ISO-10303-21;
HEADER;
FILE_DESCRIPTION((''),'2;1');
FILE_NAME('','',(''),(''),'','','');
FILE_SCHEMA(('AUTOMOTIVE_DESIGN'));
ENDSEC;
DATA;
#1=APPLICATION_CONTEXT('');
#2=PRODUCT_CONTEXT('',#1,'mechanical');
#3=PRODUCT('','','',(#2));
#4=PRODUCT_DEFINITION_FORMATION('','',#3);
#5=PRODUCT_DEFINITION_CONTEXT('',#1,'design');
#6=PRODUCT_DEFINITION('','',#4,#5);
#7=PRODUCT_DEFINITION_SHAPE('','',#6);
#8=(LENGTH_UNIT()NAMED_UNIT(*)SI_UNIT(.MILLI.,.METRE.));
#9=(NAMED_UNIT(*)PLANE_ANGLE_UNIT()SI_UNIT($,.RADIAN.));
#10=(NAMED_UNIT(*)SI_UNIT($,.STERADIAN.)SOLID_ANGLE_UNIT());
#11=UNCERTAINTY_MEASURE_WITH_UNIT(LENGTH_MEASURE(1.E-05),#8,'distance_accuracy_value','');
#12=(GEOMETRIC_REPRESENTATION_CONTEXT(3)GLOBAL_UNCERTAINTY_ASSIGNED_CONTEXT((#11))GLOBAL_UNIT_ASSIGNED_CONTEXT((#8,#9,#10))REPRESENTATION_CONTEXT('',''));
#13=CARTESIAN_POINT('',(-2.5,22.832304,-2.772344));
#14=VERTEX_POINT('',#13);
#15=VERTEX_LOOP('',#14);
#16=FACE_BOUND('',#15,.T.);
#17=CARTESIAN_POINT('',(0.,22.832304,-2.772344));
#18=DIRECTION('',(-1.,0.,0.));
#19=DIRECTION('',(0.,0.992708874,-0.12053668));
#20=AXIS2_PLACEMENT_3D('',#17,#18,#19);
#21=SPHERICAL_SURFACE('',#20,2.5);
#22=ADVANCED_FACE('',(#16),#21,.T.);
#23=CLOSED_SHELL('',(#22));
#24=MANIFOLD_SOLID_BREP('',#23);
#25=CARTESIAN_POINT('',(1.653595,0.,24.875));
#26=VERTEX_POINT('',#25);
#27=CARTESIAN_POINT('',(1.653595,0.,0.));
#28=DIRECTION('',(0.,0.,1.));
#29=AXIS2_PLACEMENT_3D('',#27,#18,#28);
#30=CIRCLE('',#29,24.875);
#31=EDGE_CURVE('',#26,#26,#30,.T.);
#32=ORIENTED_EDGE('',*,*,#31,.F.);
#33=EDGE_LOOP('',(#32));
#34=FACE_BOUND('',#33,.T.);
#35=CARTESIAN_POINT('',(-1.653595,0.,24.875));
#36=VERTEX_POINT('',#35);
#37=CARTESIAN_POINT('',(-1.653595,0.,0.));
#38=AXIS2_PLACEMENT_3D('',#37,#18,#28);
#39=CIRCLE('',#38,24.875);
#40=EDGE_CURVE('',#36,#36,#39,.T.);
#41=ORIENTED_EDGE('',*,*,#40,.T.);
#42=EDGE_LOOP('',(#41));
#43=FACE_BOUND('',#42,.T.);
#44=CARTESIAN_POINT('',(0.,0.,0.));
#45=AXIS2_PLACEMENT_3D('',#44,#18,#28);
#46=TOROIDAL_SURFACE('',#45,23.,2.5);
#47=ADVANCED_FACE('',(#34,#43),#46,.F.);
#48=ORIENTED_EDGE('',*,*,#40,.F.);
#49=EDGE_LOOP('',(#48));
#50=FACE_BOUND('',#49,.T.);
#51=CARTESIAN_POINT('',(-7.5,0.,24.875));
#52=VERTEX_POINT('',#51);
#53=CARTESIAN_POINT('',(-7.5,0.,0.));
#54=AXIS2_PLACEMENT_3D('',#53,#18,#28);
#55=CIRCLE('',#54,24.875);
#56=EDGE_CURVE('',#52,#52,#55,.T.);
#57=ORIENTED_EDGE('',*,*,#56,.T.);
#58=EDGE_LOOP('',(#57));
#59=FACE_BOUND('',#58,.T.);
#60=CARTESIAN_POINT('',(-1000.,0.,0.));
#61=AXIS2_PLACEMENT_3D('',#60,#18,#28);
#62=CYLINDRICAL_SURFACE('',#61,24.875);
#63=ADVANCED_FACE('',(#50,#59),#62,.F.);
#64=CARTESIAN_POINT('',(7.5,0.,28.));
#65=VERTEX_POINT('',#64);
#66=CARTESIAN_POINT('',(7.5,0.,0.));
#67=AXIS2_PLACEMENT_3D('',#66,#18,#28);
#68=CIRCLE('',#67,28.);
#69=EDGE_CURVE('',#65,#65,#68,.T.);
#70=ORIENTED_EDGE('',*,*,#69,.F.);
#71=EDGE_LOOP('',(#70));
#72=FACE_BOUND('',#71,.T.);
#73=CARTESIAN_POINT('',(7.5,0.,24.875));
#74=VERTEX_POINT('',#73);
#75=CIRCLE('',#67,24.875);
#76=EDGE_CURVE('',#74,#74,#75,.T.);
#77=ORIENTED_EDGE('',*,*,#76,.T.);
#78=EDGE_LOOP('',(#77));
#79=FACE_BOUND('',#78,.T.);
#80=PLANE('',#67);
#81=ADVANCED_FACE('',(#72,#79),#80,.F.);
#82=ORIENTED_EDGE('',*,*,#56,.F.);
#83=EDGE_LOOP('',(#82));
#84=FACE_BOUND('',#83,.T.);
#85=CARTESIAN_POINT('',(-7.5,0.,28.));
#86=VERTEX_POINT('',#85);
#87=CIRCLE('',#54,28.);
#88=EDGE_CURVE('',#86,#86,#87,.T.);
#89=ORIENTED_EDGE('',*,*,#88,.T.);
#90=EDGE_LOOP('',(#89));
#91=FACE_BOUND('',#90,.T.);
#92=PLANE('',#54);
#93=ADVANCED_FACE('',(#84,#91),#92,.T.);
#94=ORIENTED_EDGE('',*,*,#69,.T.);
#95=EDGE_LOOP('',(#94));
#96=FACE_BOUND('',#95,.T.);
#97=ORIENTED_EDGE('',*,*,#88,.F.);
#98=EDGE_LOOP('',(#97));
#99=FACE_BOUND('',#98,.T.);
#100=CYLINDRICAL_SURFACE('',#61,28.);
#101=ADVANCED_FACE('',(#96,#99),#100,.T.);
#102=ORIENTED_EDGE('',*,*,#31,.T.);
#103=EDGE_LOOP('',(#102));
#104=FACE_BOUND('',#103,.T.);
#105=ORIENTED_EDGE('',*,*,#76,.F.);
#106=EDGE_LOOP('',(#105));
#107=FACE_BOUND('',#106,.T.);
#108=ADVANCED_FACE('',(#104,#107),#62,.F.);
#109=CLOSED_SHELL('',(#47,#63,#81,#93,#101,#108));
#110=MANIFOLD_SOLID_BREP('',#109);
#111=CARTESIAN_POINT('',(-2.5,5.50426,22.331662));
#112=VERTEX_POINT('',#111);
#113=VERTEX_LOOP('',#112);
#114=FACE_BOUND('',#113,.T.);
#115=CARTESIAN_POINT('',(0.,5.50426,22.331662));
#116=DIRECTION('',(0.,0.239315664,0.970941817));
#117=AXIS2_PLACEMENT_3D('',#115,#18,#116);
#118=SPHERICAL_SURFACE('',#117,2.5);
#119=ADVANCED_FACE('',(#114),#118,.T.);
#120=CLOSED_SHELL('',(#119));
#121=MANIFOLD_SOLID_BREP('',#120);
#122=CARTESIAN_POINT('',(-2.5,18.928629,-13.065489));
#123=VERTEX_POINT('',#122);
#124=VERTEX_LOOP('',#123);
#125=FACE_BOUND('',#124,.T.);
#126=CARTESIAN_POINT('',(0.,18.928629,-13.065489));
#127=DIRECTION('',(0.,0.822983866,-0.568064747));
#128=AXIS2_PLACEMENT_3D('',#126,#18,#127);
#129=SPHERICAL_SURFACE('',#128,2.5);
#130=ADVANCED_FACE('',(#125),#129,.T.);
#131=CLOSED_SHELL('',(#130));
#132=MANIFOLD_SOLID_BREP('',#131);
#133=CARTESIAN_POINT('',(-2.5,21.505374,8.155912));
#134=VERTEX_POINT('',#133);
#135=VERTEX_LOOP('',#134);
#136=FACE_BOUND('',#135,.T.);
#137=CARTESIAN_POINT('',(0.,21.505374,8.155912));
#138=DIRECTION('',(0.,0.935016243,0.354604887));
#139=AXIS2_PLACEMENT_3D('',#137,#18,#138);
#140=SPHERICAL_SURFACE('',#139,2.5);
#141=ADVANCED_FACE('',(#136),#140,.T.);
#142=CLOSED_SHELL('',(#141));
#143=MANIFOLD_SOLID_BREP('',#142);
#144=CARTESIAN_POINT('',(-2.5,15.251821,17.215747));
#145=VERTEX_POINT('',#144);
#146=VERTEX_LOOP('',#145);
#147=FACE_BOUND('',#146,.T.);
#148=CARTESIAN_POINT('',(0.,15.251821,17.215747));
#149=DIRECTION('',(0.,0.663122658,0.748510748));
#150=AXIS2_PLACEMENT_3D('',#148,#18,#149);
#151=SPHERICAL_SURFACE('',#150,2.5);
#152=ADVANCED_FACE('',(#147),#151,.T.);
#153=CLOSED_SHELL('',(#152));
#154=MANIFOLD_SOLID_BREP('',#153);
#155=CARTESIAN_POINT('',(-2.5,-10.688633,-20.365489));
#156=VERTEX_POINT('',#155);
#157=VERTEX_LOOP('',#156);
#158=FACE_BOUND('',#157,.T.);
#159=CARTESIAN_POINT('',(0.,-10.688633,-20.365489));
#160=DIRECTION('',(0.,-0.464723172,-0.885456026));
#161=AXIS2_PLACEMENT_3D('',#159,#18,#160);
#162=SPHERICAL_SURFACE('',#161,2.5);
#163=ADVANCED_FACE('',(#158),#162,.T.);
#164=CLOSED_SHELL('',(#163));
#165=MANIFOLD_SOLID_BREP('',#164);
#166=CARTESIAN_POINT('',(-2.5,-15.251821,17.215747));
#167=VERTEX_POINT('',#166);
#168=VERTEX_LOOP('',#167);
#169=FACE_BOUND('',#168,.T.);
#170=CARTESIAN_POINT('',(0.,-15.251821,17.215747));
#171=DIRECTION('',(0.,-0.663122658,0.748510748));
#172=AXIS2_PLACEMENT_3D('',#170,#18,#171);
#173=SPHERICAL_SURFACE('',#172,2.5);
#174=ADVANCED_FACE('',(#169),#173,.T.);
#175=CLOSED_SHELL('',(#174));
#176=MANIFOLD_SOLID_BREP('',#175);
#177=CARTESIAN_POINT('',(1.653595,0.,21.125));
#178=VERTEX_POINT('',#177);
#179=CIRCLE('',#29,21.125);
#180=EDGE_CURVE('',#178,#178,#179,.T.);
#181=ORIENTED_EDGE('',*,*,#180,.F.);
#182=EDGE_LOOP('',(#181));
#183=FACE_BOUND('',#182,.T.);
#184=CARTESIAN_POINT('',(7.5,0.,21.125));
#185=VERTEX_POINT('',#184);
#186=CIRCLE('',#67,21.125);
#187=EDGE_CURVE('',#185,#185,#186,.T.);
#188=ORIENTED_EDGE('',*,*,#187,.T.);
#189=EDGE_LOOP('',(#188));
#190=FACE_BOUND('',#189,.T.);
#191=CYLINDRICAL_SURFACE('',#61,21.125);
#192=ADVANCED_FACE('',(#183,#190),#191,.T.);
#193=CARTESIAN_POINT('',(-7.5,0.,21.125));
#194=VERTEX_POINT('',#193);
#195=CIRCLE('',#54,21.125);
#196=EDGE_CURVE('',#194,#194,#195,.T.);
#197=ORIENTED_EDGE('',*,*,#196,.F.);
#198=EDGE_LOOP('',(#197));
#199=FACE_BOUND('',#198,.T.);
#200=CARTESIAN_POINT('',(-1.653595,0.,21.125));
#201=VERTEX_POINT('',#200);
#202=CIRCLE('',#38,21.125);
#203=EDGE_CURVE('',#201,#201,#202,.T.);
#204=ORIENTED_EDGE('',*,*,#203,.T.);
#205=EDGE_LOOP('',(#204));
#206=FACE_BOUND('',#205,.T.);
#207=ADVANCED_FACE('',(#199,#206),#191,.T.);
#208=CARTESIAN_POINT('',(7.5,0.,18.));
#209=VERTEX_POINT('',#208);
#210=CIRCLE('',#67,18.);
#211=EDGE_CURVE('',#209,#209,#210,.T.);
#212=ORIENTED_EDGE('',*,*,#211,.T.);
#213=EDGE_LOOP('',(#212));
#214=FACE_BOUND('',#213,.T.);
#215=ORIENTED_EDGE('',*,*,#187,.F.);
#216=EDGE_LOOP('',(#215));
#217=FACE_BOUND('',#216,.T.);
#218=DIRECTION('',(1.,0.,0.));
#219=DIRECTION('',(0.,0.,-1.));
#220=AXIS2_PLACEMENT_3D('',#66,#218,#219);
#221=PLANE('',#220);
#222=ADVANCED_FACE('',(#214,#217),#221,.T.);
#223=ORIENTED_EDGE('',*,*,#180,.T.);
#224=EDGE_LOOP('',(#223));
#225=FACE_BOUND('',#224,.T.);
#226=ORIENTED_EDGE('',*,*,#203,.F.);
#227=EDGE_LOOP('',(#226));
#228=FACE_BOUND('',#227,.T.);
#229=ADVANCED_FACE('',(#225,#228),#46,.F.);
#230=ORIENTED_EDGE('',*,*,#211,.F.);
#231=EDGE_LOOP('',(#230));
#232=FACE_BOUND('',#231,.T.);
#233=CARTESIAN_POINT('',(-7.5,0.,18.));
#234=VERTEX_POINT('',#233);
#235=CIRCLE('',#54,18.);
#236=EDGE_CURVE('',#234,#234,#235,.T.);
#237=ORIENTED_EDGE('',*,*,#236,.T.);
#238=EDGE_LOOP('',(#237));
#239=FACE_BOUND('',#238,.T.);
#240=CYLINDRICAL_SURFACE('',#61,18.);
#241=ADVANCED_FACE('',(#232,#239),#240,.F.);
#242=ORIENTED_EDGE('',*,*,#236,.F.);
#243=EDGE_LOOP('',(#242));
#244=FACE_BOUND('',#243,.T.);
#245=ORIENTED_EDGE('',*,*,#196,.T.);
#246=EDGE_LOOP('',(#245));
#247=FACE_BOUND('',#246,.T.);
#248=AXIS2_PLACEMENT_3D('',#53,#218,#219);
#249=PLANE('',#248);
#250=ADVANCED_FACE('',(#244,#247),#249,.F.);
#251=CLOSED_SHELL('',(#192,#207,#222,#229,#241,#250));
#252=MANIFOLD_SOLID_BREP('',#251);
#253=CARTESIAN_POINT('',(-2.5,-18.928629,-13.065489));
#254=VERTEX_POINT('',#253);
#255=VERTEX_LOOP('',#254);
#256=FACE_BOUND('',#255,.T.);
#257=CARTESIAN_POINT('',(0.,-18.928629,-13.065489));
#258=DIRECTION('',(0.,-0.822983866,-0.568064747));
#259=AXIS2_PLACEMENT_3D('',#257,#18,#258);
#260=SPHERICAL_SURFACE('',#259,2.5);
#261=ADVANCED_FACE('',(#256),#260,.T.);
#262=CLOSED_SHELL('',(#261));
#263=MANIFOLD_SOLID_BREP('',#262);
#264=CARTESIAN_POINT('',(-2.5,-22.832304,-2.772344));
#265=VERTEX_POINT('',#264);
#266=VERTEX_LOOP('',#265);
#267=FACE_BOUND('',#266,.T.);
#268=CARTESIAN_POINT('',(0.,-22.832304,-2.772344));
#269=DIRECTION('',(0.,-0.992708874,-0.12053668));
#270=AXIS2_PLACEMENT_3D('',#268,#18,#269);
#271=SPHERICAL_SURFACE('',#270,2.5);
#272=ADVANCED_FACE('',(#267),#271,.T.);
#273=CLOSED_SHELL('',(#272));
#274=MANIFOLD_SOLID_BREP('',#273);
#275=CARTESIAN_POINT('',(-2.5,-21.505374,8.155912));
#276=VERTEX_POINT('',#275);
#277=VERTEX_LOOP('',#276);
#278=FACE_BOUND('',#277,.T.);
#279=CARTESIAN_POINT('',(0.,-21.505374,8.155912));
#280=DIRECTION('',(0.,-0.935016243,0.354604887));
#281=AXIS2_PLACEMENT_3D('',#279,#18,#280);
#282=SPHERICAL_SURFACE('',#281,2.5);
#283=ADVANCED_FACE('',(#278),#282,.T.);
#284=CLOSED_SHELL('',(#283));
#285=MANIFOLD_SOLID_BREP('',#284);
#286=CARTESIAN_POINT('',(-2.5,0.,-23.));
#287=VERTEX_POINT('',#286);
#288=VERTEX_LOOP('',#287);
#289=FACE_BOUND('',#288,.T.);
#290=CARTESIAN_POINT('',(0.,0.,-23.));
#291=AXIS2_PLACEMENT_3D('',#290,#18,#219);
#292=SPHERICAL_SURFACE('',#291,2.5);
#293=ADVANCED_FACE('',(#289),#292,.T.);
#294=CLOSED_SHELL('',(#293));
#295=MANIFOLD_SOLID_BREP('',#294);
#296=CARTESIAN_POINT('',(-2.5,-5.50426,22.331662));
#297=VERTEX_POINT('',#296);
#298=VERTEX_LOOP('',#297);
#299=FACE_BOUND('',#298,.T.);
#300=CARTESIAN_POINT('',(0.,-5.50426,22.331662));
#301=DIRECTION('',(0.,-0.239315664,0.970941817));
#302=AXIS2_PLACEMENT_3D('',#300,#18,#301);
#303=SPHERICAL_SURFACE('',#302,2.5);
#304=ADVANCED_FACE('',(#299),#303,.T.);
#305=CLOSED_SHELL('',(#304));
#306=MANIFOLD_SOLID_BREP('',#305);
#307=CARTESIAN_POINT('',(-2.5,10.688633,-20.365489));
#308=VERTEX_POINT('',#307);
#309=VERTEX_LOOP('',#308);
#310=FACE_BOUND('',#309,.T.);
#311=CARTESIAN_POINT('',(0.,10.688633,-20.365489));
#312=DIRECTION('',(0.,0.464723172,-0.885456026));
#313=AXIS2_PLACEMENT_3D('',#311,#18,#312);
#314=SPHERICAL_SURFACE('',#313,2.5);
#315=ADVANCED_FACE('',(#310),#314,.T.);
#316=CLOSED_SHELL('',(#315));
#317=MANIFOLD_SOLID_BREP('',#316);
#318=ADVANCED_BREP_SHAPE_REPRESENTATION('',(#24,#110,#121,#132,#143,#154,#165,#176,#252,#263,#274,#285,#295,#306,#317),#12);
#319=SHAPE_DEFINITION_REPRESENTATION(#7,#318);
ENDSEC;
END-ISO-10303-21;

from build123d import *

# Parameters (mm, degrees)
CIRPATTERN2_COUNT = 13


with BuildPart() as part:
    # Sketch1 → Revolve2 (revolve)
    with BuildSketch(Plane(origin=(0, 0, 0), x_dir=(1, 0, 0), z_dir=(0, 1, 0))):
        with BuildLine():
            ThreePointArc((1.653594569, 21.125), (0, 20.5), (-1.653594569, 21.125))
            Line((-1.653594569, 21.125), (-7.5, 21.125))
            Line((-7.5, 21.125), (-7.5, 18))
            Line((-7.5, 18), (7.5, 18))
            Line((7.5, 18), (7.5, 21.125))
            Line((7.5, 21.125), (1.653594569, 21.125))
        make_face()
        with BuildLine():
            Line((-7.5, 28), (-7.5, 24.875))
            Line((-7.5, 24.875), (-1.653594569, 24.875))
            ThreePointArc((-1.653594569, 24.875), (0, 25.5), (1.653594569, 24.875))
            Line((1.653594569, 24.875), (7.5, 24.875))
            Line((7.5, 24.875), (7.5, 28))
            Line((7.5, 28), (-7.5, 28))
        make_face()
    revolve(axis=Axis((-1000, 0, 0), (1, 0, 0)))


with BuildPart() as body_2:
    # Sketch2 one side → Revolve3 (revolve)
    with BuildSketch(Plane(origin=(0, 0, 0), x_dir=(1, 0, 0), z_dir=(0, 1, 0))):
        with BuildLine():
            Line((-2.5, 23), (2.5, 23))
            ThreePointArc((2.5, 23), (0, 25.5), (-2.5, 23))
        make_face()
    revolve(axis=Axis((-2.5, 0, -23), (1, 0, 0)))


with BuildPart() as cirpattern2_1:
    # CirPattern2: pattern copy
    add(body_2.part.rotate(Axis((0, 0, 0), (1, 0, 0)), 1 * 360 / CIRPATTERN2_COUNT))


with BuildPart() as cirpattern2_2:
    # CirPattern2: pattern copy
    add(body_2.part.rotate(Axis((0, 0, 0), (1, 0, 0)), 2 * 360 / CIRPATTERN2_COUNT))


with BuildPart() as cirpattern2_3:
    # CirPattern2: pattern copy
    add(body_2.part.rotate(Axis((0, 0, 0), (1, 0, 0)), 3 * 360 / CIRPATTERN2_COUNT))


with BuildPart() as cirpattern2_4:
    # CirPattern2: pattern copy
    add(body_2.part.rotate(Axis((0, 0, 0), (1, 0, 0)), 4 * 360 / CIRPATTERN2_COUNT))


with BuildPart() as cirpattern2_5:
    # CirPattern2: pattern copy
    add(body_2.part.rotate(Axis((0, 0, 0), (1, 0, 0)), 5 * 360 / CIRPATTERN2_COUNT))


with BuildPart() as cirpattern2_6:
    # CirPattern2: pattern copy
    add(body_2.part.rotate(Axis((0, 0, 0), (1, 0, 0)), 6 * 360 / CIRPATTERN2_COUNT))


with BuildPart() as cirpattern2_7:
    # CirPattern2: pattern copy
    add(body_2.part.rotate(Axis((0, 0, 0), (1, 0, 0)), 7 * 360 / CIRPATTERN2_COUNT))


with BuildPart() as cirpattern2_8:
    # CirPattern2: pattern copy
    add(body_2.part.rotate(Axis((0, 0, 0), (1, 0, 0)), 8 * 360 / CIRPATTERN2_COUNT))


with BuildPart() as cirpattern2_9:
    # CirPattern2: pattern copy
    add(body_2.part.rotate(Axis((0, 0, 0), (1, 0, 0)), 9 * 360 / CIRPATTERN2_COUNT))


with BuildPart() as cirpattern2_10:
    # CirPattern2: pattern copy
    add(body_2.part.rotate(Axis((0, 0, 0), (1, 0, 0)), 10 * 360 / CIRPATTERN2_COUNT))


with BuildPart() as cirpattern2_11:
    # CirPattern2: pattern copy
    add(body_2.part.rotate(Axis((0, 0, 0), (1, 0, 0)), 11 * 360 / CIRPATTERN2_COUNT))


with BuildPart() as cirpattern2_12:
    # CirPattern2: pattern copy
    add(body_2.part.rotate(Axis((0, 0, 0), (1, 0, 0)), 12 * 360 / CIRPATTERN2_COUNT))


solid = Compound([part.part, body_2.part, cirpattern2_1.part, cirpattern2_2.part, cirpattern2_3.part, cirpattern2_4.part, cirpattern2_5.part, cirpattern2_6.part, cirpattern2_7.part, cirpattern2_8.part, cirpattern2_9.part, cirpattern2_10.part, cirpattern2_11.part, cirpattern2_12.part])
